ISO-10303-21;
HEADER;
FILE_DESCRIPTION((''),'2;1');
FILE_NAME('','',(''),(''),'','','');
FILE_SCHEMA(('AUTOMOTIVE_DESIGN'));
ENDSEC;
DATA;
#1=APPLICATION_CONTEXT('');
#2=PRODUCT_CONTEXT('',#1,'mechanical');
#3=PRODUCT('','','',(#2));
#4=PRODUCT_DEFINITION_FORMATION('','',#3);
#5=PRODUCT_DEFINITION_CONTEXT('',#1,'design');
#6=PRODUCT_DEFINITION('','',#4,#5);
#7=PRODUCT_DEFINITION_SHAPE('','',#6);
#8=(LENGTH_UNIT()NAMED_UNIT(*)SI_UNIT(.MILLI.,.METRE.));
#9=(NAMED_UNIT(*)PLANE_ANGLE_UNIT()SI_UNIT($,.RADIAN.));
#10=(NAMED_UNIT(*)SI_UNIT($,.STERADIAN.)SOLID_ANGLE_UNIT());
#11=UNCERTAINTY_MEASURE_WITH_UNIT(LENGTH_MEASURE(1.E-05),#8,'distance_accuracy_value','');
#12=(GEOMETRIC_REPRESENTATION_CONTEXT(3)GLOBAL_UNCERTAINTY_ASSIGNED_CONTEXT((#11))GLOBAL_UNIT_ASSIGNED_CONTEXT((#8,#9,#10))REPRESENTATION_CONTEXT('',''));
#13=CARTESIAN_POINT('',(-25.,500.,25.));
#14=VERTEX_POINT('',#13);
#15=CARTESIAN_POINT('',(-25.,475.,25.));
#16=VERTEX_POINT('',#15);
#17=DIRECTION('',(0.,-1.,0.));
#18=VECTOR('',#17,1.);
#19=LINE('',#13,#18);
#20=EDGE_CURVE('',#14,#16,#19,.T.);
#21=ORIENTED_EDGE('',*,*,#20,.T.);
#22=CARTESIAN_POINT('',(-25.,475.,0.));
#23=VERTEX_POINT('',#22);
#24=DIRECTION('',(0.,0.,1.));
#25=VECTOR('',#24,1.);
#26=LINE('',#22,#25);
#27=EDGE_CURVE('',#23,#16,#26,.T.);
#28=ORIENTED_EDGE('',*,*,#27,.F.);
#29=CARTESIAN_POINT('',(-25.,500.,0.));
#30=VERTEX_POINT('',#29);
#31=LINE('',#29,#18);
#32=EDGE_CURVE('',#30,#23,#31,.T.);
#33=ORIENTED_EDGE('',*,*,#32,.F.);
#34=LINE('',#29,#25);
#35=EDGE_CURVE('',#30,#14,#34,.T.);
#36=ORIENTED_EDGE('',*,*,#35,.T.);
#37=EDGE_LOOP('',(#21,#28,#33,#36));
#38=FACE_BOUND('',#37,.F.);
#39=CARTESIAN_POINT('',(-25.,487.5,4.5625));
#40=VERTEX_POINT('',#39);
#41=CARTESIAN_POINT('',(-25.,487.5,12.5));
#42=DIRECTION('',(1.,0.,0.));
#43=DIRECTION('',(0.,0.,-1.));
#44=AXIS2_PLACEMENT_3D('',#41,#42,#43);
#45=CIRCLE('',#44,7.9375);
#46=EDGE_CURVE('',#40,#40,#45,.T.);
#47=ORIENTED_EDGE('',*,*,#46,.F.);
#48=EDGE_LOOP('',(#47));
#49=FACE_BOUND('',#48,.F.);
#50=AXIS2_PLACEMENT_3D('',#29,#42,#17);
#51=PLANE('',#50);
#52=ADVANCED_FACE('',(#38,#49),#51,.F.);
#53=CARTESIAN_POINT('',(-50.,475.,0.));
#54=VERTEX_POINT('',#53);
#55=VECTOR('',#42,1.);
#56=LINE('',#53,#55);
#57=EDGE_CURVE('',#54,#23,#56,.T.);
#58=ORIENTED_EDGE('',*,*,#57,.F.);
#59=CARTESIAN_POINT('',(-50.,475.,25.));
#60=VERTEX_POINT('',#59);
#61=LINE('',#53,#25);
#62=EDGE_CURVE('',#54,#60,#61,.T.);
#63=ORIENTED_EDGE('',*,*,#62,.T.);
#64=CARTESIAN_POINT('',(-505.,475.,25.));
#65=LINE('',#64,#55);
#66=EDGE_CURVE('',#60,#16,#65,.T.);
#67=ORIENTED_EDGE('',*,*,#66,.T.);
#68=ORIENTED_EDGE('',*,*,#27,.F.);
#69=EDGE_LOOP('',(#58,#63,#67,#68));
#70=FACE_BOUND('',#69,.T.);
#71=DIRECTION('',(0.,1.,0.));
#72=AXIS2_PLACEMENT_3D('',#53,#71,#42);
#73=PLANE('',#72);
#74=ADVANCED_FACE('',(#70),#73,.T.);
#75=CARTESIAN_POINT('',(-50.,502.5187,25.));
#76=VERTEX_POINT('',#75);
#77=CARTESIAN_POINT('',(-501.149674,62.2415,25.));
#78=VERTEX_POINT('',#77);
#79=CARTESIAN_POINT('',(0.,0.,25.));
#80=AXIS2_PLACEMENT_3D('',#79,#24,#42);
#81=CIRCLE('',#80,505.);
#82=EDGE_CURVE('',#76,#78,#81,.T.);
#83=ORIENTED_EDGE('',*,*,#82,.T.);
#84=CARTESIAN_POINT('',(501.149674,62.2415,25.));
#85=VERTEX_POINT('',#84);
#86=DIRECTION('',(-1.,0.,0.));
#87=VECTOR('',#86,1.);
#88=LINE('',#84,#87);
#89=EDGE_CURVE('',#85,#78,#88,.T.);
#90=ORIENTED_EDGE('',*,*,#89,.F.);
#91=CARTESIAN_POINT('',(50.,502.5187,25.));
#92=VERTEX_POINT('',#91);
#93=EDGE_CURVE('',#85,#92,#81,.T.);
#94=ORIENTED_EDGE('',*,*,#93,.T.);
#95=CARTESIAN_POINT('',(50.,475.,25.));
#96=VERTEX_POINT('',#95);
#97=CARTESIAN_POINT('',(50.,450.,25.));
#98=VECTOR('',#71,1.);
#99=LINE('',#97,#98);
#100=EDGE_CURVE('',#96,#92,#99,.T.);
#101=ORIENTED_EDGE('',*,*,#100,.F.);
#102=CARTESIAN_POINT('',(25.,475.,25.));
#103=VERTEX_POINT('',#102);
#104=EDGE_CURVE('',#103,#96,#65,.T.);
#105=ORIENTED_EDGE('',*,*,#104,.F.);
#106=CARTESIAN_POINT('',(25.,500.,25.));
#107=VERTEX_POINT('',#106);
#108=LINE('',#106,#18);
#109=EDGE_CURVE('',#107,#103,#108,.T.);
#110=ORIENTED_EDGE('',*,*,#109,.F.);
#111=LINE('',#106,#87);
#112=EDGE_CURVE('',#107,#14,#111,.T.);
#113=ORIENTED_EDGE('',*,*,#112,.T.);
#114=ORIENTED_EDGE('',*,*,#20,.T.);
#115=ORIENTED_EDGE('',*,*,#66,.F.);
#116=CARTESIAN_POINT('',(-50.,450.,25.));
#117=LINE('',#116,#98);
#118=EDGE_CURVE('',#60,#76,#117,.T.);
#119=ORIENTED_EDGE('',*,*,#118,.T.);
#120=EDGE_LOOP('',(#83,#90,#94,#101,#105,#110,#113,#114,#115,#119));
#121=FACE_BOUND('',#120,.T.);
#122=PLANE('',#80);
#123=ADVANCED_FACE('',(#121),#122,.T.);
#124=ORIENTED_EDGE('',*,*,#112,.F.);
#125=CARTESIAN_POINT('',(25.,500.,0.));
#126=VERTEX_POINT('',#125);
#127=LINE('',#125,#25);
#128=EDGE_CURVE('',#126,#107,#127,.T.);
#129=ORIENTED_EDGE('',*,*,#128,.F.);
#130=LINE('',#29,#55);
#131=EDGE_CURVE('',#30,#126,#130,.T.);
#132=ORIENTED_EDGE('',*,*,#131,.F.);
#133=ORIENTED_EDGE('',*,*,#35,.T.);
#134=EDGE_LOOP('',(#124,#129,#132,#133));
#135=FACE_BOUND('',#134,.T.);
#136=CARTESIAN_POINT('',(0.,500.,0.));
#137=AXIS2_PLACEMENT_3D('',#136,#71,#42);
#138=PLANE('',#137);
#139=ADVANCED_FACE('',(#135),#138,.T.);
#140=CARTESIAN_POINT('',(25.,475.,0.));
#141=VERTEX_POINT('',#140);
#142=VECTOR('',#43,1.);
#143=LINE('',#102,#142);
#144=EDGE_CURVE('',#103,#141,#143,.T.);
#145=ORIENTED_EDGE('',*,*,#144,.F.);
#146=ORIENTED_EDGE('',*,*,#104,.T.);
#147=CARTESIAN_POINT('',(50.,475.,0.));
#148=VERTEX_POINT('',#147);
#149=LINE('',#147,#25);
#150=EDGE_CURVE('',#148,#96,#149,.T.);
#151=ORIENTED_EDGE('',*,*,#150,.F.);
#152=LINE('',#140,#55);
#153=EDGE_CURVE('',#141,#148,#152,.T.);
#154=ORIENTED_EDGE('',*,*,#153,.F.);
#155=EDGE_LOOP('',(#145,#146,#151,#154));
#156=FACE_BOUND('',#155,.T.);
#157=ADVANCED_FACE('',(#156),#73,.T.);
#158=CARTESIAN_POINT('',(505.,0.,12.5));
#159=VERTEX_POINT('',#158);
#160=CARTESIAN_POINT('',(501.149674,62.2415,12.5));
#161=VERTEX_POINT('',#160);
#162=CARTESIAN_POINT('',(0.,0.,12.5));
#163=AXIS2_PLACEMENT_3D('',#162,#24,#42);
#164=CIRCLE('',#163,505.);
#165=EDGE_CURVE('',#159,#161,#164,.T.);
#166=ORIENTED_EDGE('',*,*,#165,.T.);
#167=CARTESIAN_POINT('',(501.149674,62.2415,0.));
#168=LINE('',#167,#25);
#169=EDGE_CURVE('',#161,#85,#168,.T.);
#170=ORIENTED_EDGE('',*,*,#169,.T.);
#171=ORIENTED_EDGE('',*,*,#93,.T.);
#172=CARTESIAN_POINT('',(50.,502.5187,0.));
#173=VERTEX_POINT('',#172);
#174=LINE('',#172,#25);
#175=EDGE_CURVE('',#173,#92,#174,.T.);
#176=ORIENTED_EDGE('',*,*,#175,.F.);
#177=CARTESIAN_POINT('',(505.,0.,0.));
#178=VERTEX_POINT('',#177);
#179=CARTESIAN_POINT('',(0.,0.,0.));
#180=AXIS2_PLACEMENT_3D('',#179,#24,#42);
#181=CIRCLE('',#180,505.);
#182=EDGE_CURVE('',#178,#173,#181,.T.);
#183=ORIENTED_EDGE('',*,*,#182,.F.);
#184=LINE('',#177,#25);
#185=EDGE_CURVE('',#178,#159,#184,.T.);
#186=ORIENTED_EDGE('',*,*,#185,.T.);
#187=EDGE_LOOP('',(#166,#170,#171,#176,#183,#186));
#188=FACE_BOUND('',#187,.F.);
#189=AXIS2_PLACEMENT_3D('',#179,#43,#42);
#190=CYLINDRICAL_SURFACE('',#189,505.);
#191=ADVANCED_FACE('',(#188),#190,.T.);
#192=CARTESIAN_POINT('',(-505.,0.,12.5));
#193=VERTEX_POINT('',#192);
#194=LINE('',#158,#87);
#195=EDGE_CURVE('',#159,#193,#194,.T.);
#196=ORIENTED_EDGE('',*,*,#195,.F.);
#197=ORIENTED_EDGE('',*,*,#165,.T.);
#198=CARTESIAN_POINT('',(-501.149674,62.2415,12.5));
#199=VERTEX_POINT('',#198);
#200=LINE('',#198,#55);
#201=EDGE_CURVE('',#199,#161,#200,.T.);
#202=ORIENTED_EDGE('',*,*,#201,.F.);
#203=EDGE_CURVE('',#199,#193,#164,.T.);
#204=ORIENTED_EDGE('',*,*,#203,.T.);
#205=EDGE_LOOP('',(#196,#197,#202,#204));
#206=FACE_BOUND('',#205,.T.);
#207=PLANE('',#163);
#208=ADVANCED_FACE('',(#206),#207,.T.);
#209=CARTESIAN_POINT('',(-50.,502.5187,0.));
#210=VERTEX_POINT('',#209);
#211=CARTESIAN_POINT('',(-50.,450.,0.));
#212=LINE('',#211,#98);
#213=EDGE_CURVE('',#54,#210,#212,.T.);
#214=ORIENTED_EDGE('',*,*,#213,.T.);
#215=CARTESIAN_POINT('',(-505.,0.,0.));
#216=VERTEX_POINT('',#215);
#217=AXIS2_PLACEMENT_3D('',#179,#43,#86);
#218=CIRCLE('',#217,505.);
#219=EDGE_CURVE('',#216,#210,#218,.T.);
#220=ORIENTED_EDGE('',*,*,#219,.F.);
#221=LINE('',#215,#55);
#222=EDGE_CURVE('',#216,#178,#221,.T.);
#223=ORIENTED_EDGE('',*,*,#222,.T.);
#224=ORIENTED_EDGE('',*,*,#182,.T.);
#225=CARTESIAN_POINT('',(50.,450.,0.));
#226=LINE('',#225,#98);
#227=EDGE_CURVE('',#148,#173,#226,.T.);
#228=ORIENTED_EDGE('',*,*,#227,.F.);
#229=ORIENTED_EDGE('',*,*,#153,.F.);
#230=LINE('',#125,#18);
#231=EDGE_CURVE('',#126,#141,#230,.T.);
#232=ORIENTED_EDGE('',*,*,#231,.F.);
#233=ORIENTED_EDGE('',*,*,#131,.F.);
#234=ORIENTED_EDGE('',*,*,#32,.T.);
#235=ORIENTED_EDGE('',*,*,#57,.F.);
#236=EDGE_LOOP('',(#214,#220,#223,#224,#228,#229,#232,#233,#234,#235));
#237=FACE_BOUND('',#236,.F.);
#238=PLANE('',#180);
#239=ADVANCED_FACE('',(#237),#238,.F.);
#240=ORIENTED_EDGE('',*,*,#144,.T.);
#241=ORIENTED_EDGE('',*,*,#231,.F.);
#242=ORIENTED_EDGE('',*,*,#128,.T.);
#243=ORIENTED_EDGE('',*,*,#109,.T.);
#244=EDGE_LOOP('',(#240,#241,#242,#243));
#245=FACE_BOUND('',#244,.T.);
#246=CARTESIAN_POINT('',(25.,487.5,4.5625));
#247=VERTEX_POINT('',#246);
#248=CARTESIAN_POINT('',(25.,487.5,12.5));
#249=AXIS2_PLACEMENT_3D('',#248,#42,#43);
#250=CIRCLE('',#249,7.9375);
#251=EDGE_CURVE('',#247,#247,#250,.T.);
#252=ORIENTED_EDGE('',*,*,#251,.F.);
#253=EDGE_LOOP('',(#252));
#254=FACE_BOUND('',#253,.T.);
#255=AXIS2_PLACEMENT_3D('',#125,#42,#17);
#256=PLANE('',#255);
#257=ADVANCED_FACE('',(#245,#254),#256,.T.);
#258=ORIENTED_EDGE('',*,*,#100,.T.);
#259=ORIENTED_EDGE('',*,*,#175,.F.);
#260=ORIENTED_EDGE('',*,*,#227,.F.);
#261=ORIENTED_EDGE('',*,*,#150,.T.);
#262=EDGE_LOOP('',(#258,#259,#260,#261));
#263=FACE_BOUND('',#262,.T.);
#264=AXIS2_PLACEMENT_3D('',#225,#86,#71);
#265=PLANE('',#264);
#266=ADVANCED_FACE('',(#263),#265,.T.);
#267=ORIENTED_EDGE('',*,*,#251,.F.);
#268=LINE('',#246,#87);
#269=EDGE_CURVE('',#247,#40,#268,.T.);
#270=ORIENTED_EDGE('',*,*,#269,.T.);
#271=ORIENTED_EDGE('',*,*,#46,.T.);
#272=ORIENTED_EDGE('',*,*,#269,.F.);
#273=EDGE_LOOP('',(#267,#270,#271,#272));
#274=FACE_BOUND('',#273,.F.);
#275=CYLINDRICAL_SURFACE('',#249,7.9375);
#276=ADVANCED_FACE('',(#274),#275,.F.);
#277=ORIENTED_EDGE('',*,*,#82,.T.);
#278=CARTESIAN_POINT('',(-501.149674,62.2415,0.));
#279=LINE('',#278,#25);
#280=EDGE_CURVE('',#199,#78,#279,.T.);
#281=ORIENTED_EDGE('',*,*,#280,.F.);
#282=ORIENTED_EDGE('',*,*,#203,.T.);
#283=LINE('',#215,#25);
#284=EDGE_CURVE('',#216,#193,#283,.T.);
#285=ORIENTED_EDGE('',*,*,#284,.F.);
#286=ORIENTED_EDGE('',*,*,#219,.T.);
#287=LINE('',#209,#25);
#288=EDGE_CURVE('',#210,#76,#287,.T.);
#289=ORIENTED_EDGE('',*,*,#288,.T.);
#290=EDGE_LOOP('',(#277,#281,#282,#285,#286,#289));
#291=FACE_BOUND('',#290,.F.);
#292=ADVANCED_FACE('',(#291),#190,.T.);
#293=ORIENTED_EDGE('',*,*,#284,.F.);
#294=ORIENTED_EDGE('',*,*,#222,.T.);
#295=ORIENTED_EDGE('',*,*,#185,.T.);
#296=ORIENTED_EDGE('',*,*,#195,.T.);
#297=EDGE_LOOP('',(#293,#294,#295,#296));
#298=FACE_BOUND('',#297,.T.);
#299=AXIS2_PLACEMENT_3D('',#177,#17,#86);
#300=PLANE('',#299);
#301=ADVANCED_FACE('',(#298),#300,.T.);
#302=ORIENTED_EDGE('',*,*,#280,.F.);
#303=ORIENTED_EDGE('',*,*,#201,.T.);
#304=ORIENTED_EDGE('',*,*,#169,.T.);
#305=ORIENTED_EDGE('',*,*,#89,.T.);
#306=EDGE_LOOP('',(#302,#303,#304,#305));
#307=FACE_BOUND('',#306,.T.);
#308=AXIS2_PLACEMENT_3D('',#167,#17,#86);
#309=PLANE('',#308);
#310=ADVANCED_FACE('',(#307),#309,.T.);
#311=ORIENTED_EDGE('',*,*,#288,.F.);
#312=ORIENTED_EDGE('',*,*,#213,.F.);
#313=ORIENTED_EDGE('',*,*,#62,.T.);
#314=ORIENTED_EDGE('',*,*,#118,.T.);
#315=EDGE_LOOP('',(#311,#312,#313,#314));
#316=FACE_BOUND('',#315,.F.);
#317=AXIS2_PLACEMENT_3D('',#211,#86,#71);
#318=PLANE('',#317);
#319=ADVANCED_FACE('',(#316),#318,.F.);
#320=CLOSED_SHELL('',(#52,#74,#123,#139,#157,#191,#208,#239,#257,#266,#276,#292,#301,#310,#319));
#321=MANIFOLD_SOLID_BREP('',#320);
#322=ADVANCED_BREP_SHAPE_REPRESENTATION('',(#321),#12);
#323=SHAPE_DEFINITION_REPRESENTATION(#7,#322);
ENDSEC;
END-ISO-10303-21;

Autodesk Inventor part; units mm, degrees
ref_plane "YZ Plane" through (0, 0, 0) normal (1, 0, 0) x (0, 1, 0)
ref_plane "XZ Plane" through (0, 0, 0) normal (0, 1, 0) x (-1, 0, 0)
ref_plane "XY Plane" through (0, 0, 0) normal (0, 0, 1) x (1, 0, 0)
sketch "Sketch4" plane through (0, 0, 0) normal (0, 0, 1) x (1, 0, 0)
  circle A0 centre (0, 0) radius 505
  line L0 (0, 0) -> (0, 505)
  line L1 (0, 505) -> (0, 500)
  line L2 (0, 500) -> (25, 500)
  line L3 (0, 500) -> (-25, 500)
  line L4 (-25, 500) -> (-25, 450)
  line L5 (25, 500) -> (25, 450)
  line L6 (25, 450) -> (50, 450)
  line L7 (50, 450) -> (50, 502.5187)
  line L8 (-25, 450) -> (-50, 450)
  line L9 (-50, 450) -> (-50, 502.5187)
  line L10 (505, 0) -> (-505, 0)
  line L11 (-505, 0) -> (505, 0)
  line L12 (505, 0) -> (505, 62.2415)
  line L13 (505, 62.2415) -> (-505, 62.2415)
  line L14 (-505, 62.2415) -> (-505, 0)
  point P0 (-501.1497, 62.2415)
  point P1 (501.1497, 62.2415)
  dimension "d17" = 1010
  dimension "d18" = 5
  dimension "d19" = 25
  dimension "d20" = 25
  dimension "d22" = 50
  dimension "d23" = 50
  dimension "d24" = 25
  dimension "d25" = 25
  dimension "d36" = 62.2415
extrude "Extrusion4" add sketch "Sketch4" along normal blind 25 contours A0 L13 L0 L2 L5 L6 L7 | L9 L8 L4 L3 L0 L13 A0
sketch "Sketch5" plane through (25, 450, 0) normal (1, 0, 0) x (0, 0, -1)
  line L0 (-25, 0) -> (-25, 50) projected
  line L1 (-25, 50) -> (-12.5, 50) construction
  line L2 (0, 50) -> (-25, 50) projected
  line L3 (-12.5, 50) -> (-12.5, 37.5) construction
  circle A0 centre (-12.5, 37.5) radius 7.9375
  point P0 (0, -450)
  dimension "d28" = 12.5
  dimension "d29" = 15.875
extrude "Extrusion5" cut sketch "Sketch5" against normal up to surface (50 mm away)
sketch "Sketch6" plane through (-50, 450, 0) normal (0, 1, 0) x (1, 0, 0)
  line L0 (-455, -25) -> (555, -25) projected
  line L1 (0, 0) -> (0, -25) projected
  line L2 (25, -25) -> (0, -25)
  line L3 (0, -25) -> (0, 0)
  line L4 (0, 0) -> (25, 0)
  line L5 (25, 0) -> (25, -25)
  line L6 (75, 0) -> (100, 0)
  line L7 (100, 0) -> (100, -25)
  line L8 (100, -25) -> (75, -25)
  line L9 (75, -25) -> (75, 0)
  point P0 (50, 0)
extrude "Extrusion6" add sketch "Sketch6" along normal blind 25
extrude "Extrusion8" add sketch "Sketch4" along normal blind 12.5 contours A0 L10 L0 L13 | L0 L10 A0 L13
properties part number "Flap"
